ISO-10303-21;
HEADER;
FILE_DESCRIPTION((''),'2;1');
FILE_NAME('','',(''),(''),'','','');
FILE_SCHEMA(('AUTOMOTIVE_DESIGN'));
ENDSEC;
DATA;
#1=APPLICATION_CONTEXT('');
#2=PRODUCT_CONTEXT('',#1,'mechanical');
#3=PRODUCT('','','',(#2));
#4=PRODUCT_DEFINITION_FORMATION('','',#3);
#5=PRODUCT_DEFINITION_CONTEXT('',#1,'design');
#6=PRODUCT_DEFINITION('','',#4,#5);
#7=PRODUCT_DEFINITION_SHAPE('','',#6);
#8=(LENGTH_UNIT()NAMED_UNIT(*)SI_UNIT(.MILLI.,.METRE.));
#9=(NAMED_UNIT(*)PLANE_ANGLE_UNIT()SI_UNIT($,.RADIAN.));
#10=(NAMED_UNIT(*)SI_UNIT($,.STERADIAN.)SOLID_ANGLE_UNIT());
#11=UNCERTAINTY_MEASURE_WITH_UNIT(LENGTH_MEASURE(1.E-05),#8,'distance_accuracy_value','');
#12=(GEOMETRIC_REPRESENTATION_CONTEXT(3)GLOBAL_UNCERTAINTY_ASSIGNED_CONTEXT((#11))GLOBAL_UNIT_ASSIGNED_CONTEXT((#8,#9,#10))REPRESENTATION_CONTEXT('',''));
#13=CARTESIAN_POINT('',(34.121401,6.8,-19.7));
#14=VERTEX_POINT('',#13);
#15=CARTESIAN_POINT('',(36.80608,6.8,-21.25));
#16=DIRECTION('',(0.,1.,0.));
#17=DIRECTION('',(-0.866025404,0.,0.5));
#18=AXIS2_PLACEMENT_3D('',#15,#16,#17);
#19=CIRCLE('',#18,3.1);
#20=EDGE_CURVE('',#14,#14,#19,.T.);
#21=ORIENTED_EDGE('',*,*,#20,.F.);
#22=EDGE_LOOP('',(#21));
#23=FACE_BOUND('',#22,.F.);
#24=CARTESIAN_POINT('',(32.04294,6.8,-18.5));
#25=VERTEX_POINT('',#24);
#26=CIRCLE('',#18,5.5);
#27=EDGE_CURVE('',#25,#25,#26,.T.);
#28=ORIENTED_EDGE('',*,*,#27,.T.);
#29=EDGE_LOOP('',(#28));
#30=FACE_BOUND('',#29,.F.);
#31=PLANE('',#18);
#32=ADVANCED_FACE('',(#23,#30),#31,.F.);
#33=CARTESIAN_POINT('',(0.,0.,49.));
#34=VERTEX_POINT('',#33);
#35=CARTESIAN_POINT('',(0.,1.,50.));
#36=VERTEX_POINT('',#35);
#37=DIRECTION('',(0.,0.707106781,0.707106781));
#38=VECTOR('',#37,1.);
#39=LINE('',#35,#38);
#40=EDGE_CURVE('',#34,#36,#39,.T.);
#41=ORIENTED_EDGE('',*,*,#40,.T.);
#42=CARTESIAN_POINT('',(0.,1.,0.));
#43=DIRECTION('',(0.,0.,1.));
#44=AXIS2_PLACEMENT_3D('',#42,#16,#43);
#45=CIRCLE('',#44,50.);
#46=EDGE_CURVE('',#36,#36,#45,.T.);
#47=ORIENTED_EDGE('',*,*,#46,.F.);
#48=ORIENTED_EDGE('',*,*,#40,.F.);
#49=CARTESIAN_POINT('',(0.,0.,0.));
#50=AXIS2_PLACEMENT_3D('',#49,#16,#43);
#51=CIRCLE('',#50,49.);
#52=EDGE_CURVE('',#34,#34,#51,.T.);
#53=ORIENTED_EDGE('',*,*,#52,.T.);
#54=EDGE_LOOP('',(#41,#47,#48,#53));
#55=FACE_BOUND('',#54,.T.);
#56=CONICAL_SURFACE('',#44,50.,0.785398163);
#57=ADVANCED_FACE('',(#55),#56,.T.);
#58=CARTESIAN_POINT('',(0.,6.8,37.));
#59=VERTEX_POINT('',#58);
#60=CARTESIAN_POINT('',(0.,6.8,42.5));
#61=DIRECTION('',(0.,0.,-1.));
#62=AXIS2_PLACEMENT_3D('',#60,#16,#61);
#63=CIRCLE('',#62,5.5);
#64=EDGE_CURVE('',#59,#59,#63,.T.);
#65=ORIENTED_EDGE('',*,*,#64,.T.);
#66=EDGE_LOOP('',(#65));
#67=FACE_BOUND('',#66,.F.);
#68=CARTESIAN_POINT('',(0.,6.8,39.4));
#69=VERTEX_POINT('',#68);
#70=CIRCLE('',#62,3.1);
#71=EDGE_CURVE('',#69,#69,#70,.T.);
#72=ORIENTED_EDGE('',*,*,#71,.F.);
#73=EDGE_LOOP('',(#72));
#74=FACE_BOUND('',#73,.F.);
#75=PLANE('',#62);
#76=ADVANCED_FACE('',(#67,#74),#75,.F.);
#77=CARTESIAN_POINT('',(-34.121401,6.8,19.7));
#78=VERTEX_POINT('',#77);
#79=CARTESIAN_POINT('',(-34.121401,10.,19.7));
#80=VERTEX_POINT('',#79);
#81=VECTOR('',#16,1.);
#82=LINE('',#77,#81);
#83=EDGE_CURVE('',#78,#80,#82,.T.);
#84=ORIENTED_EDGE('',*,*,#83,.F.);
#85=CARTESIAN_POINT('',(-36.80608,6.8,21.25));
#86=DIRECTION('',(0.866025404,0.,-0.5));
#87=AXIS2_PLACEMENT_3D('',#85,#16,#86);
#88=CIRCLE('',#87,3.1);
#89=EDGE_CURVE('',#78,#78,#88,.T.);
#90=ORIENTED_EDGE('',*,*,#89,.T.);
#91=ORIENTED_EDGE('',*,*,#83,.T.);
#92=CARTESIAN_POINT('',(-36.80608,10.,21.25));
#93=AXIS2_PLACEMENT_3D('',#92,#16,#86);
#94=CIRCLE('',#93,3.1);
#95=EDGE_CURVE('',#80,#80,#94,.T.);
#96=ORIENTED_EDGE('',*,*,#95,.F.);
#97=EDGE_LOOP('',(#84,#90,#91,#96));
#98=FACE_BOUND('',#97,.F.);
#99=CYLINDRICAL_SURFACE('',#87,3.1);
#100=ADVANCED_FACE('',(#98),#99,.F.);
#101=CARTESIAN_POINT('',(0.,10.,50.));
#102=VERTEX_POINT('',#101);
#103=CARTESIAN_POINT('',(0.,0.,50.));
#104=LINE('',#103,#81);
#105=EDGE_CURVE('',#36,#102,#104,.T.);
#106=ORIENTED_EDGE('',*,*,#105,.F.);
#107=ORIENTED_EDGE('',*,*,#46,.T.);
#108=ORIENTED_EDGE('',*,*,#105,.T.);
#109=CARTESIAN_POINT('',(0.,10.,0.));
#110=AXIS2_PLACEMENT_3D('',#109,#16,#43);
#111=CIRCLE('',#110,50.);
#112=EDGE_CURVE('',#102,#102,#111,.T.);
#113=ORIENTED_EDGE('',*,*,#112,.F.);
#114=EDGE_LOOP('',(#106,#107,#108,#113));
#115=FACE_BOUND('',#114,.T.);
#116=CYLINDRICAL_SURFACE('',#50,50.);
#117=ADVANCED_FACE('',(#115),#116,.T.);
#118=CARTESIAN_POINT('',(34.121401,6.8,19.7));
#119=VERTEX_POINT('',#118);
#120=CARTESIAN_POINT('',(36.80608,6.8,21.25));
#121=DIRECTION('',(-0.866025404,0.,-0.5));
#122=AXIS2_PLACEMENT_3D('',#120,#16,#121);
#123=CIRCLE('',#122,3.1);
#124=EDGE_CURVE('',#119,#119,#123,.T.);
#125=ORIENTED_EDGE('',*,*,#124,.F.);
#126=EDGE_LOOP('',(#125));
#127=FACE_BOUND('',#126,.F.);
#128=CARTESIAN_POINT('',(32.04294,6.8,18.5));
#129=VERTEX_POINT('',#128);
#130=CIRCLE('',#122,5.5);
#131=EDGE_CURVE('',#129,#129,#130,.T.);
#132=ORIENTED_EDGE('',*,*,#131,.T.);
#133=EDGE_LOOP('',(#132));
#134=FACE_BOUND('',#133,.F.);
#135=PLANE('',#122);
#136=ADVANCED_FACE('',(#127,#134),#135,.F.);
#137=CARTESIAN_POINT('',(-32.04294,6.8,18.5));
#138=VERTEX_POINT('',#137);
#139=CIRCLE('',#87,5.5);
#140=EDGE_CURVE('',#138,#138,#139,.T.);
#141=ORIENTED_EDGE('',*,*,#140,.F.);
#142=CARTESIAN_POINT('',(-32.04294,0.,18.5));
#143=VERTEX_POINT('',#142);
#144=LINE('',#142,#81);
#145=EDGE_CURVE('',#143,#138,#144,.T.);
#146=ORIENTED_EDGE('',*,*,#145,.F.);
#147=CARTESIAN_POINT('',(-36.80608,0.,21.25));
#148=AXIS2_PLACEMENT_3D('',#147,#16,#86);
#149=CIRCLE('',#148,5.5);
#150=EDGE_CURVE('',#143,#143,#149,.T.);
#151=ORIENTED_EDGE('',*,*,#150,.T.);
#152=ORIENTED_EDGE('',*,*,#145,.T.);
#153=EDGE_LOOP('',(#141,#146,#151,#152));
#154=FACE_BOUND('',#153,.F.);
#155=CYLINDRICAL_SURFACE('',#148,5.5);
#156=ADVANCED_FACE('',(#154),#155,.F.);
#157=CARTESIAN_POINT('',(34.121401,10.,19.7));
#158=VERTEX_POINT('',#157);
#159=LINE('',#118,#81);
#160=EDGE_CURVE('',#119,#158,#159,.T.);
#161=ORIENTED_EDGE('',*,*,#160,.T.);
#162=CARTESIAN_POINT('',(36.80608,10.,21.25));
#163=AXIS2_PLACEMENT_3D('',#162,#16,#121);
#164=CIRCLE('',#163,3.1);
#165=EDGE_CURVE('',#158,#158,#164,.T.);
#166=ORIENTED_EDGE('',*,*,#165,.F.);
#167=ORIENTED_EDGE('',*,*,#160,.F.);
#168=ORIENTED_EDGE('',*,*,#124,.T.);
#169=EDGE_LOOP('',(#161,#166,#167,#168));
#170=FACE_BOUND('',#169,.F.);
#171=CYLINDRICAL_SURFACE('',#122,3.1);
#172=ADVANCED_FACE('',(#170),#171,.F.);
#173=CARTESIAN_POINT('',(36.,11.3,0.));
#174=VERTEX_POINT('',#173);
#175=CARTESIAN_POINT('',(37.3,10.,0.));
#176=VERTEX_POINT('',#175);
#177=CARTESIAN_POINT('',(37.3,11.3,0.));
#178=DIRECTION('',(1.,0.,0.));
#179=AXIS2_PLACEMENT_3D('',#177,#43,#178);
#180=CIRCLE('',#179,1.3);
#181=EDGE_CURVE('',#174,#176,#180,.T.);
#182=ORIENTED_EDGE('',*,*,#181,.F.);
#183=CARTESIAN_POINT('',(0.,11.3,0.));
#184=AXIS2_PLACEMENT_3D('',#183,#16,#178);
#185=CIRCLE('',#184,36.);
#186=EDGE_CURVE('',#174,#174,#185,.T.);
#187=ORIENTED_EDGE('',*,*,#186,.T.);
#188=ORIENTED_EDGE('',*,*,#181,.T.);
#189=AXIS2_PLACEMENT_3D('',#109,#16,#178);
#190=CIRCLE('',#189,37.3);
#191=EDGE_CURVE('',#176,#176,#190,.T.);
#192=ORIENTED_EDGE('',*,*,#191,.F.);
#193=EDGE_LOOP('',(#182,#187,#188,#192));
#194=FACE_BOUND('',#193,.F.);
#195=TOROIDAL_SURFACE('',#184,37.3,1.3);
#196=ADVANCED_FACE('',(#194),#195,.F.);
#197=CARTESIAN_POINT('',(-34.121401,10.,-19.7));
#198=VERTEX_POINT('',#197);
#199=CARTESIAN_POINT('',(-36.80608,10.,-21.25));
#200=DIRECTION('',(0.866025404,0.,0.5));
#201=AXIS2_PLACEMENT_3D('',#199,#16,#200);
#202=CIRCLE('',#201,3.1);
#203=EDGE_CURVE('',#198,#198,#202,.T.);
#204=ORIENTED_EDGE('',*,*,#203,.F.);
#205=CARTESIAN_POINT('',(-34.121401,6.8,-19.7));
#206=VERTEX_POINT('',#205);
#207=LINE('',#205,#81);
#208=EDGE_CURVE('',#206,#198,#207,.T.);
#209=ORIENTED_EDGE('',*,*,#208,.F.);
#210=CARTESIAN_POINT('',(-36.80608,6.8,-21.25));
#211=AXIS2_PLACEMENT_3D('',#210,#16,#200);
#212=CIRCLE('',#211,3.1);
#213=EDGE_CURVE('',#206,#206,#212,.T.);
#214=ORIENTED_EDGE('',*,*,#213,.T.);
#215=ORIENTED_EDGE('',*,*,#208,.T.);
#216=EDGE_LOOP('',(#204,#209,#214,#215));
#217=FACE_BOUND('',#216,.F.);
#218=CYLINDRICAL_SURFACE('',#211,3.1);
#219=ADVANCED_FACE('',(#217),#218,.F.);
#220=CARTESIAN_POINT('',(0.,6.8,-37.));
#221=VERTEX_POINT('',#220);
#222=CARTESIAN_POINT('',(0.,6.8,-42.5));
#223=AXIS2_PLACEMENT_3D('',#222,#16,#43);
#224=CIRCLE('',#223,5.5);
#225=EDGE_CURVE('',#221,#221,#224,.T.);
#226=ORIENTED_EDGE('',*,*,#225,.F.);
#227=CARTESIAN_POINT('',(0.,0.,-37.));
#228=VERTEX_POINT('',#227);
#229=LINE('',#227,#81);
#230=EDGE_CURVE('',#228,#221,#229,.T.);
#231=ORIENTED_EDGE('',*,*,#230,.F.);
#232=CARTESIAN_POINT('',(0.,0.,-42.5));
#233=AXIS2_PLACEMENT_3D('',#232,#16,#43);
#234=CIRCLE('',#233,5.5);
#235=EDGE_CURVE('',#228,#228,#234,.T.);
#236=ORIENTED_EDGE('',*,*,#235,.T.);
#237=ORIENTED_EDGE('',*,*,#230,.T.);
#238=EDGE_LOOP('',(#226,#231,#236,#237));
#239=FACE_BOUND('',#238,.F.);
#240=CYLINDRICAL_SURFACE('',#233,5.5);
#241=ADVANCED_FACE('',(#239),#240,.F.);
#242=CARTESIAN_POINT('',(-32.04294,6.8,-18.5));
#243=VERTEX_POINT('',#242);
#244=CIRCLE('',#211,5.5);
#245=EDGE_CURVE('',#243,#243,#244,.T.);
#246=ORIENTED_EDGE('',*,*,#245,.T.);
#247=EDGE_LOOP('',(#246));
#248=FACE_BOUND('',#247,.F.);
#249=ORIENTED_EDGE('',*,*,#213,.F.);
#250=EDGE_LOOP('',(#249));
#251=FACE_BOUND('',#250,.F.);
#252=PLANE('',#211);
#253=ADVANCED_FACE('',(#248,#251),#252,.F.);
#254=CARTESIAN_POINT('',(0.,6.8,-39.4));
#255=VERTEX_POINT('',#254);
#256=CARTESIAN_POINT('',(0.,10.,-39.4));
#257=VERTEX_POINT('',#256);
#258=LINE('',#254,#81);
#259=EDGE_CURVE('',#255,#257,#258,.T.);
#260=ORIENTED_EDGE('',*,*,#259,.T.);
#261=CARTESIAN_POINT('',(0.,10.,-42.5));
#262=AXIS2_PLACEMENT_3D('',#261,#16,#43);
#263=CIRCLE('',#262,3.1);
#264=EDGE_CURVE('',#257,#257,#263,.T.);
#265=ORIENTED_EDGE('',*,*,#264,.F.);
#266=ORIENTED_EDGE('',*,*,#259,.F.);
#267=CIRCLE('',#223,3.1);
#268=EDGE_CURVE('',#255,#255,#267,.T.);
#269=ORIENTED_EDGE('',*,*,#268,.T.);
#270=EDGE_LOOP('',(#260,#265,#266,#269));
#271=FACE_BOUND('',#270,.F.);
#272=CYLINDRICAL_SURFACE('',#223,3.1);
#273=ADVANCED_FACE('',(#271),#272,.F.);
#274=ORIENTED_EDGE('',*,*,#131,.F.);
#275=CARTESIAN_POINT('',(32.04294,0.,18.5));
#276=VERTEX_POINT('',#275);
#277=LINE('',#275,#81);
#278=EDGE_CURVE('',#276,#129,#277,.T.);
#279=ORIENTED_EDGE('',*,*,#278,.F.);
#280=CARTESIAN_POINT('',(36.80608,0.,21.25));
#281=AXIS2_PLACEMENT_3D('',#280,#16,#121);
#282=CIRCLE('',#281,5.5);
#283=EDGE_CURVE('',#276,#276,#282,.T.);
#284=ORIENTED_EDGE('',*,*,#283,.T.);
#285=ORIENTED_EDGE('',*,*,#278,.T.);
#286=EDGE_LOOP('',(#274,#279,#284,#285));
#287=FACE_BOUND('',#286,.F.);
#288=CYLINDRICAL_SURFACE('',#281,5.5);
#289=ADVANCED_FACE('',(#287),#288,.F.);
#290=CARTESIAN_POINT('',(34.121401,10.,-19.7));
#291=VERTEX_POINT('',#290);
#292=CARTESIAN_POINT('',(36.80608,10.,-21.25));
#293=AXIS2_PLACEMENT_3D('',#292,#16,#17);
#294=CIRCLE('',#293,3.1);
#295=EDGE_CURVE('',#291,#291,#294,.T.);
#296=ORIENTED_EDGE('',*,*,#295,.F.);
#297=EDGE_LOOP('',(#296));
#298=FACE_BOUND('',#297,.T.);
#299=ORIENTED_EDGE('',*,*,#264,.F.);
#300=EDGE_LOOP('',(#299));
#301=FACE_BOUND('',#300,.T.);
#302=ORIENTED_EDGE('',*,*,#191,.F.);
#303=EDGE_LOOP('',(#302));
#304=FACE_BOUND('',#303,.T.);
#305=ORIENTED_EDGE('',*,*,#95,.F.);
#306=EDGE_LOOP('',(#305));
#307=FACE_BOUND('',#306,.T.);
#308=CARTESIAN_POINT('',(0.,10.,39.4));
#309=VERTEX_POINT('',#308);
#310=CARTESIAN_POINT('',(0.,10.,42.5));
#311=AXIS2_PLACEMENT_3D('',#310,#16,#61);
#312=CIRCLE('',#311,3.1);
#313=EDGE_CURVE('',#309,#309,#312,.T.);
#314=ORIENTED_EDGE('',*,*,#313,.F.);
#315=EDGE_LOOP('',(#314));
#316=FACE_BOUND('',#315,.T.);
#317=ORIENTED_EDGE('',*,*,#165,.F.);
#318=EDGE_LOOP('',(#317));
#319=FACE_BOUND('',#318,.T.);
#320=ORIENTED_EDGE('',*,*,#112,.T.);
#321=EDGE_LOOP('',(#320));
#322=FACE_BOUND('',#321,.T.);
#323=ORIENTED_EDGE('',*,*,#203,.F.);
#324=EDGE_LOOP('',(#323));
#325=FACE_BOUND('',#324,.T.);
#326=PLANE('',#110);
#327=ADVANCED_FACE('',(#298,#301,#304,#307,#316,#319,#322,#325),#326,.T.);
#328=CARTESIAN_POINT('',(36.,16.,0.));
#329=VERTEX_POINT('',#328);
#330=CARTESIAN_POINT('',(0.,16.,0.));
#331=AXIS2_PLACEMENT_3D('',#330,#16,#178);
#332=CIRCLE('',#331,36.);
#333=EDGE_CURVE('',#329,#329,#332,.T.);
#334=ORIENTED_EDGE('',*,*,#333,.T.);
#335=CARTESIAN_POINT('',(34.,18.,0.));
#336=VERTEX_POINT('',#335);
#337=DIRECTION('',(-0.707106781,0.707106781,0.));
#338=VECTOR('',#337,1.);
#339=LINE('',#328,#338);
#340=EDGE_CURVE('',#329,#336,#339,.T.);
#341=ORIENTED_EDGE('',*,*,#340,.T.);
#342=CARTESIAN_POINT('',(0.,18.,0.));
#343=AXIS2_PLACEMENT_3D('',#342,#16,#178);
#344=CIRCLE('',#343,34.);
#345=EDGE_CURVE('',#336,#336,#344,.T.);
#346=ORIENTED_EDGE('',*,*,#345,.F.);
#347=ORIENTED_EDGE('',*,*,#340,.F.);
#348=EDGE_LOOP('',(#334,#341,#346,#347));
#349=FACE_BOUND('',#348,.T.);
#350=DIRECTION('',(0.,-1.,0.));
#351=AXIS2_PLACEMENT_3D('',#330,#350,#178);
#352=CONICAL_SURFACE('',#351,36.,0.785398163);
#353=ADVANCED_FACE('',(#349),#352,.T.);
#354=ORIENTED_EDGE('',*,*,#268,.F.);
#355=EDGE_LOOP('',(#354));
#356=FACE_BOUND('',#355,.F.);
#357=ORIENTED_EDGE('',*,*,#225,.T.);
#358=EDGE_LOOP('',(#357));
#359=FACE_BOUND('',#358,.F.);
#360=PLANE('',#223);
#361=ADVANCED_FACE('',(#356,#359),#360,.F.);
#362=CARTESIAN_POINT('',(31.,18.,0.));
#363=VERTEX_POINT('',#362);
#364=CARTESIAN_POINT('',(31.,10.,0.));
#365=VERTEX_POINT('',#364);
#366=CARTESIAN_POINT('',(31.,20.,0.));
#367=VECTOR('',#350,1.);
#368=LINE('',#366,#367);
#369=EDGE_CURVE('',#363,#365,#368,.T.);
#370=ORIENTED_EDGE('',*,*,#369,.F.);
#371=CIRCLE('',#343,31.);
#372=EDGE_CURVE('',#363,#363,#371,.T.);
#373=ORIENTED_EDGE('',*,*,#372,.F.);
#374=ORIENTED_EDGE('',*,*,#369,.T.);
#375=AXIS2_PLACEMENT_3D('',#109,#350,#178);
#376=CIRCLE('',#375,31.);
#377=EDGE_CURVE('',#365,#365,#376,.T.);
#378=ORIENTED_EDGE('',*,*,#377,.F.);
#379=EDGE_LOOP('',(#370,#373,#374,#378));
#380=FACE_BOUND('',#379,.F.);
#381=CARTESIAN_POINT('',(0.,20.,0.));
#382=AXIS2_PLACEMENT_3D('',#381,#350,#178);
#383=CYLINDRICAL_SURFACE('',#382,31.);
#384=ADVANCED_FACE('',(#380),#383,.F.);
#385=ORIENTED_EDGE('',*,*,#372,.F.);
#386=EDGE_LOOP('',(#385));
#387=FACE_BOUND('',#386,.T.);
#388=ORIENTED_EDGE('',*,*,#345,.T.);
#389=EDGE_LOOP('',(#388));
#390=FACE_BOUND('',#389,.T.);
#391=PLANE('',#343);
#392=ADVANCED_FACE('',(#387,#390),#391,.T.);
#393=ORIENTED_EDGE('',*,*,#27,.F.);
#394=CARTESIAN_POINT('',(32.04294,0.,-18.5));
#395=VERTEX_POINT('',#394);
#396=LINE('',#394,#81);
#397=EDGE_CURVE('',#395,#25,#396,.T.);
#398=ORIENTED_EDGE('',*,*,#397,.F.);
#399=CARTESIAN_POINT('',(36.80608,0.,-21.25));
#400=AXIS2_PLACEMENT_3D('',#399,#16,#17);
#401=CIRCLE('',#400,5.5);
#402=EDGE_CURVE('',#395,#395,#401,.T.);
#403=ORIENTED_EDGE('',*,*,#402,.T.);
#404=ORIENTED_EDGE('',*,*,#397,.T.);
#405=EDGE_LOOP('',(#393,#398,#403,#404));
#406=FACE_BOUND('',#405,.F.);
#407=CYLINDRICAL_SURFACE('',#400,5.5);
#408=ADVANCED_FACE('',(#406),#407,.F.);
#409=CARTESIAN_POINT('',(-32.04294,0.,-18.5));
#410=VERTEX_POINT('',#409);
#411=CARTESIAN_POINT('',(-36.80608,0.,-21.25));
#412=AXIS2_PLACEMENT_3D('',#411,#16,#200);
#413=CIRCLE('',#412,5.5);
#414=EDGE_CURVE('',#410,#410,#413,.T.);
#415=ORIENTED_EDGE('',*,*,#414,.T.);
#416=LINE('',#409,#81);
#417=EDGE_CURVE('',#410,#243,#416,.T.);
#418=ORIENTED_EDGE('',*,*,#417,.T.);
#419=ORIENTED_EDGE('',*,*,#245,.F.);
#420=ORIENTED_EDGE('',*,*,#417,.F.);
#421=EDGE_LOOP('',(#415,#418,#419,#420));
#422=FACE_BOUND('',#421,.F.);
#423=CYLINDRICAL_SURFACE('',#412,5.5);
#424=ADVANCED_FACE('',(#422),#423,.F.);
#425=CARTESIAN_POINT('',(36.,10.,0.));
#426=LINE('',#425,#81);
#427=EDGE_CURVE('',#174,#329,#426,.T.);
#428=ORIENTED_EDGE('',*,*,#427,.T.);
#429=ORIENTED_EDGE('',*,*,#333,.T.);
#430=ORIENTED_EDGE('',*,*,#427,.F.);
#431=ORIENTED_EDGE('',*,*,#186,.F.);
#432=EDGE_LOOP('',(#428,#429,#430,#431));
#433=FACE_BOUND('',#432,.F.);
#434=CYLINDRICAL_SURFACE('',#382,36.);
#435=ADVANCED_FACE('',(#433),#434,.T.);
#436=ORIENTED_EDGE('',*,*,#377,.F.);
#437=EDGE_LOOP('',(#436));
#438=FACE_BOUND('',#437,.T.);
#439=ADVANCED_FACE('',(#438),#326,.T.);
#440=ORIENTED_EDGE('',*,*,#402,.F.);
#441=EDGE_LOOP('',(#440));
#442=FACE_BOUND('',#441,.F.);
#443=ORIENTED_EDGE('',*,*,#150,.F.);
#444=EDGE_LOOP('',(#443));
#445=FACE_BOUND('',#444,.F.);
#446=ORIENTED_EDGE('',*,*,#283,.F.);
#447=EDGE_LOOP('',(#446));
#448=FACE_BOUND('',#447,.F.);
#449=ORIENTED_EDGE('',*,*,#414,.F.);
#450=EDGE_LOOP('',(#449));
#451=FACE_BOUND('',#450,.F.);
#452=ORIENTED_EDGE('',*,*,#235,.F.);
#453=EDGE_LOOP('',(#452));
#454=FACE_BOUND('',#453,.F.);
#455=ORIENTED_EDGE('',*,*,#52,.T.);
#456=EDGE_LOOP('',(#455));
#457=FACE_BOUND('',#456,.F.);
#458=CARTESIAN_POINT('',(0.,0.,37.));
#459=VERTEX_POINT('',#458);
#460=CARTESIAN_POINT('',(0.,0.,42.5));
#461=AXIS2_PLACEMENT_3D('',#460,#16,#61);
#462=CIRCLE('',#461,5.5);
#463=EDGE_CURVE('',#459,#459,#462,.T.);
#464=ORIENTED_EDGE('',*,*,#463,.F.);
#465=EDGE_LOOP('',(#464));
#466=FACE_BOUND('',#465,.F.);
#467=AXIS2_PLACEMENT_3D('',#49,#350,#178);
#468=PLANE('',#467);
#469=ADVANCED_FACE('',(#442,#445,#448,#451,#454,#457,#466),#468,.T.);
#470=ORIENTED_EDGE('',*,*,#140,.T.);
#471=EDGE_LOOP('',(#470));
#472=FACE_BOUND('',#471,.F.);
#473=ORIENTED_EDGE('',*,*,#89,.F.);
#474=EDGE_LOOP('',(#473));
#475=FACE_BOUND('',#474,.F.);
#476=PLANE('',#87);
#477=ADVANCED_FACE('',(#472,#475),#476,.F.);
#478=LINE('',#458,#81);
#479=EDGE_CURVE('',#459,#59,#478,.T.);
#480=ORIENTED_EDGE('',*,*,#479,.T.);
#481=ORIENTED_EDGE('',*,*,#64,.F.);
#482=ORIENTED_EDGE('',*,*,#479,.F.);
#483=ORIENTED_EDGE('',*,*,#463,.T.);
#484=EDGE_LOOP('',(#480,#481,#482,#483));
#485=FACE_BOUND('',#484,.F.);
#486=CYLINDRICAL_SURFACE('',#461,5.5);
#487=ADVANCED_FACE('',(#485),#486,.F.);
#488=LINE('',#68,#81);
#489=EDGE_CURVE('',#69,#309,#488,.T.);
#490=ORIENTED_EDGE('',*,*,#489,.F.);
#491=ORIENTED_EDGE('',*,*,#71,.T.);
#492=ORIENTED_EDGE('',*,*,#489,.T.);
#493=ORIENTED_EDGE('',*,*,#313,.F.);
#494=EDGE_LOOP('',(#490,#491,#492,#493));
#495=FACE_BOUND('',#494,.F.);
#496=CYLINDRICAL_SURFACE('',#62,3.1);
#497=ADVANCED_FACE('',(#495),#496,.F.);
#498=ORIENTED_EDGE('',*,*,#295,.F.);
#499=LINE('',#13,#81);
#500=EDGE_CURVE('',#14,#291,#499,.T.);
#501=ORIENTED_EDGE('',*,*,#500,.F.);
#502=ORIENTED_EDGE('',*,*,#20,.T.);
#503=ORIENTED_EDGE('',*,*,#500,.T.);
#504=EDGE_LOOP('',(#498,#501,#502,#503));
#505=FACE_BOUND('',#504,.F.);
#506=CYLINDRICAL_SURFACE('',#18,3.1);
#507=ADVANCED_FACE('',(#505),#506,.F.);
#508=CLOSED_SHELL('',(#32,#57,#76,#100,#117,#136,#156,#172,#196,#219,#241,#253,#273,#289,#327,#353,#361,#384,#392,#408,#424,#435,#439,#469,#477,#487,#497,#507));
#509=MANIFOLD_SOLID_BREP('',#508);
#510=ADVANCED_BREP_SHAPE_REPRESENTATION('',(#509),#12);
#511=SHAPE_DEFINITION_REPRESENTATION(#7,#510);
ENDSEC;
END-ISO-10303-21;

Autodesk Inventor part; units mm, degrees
ref_plane "YZ Plane" through (0, 0, 0) normal (1, 0, 0) x (0, 1, 0)
ref_plane "XZ Plane" through (0, 0, 0) normal (0, 1, 0) x (-1, 0, 0)
ref_plane "XY Plane" through (0, 0, 0) normal (0, 0, 1) x (1, 0, 0)
sketch "Эскиз1" plane through (0, 0, 0) normal (0, 0, 1) x (1, 0, 0)
  line L0 (0, 5) -> (0, 0)
  line L1 (0, 0) -> (36, 0)
  line L2 (36, 0) -> (36, 20)
  line L3 (36, 20) -> (31, 20)
  line L4 (31, 20) -> (31, 5)
  line L5 (31, 5) -> (0, 5)
  dimension "d0" = 5
  dimension "d1" = 5
  dimension "d3" = 20
  dimension "d4" = 36
revolve "Вращение1" add sketch "Эскиз1" angle 360 about axis through (0, 5, 0) along (0, -1, 0)
sketch "Эскиз2" plane through (0, 0, 0) normal (1, 0, 0) x (0, 1, 0)
  line L0 (-4, 0) -> (24, 0) projected
  line L1 (0, -50.4) -> (0, 50.4) projected
  line L2 (0, 0) -> (0, 50)
  line L3 (0, 50) -> (10, 50)
  line L4 (10, 50) -> (10, 0)
  line L5 (0, 0) -> (10, 0)
  line L6 (20, 36) -> (0, 36) projected
  dimension "d6" = 10
  dimension "d7" = 50
revolve "Вращение2" add sketch "Эскиз2" angle 360 about axis through (0, -10, 0) along (0, 1, 0)
chamfer "Фаска1" distance 1 angle 45 1 edges at (0, 0, -50)
sketch "Эскиз3" plane through (0, 0, 0) normal (0, -1, 0) x (1, 0, 0)
  circle A0 centre (0, 0) radius 42.5 construction
  circle A1 centre (0, 42.5) radius 5.5
  line L0 (0, -70) -> (0, 70) projected
  line L1 (-70, 0) -> (70, 0) projected
  dimension "d10" = 85
  dimension "d9" = 11
hole "Отверстие1" at (0, 0, 42.5) direction (0, 1, 0) diameter 6.2 depth 15 tip angle 118 counterbore diameter 11 counterbore depth 6.8
pattern_circular "Круговой массив1" count 6 over 360 about axis through (0, -10, 0) along (0, 1, 0) of "Отверстие1"
sketch "Эскиз4" plane through (0, 20, 0) normal (0, 1, 0) x (1, 0, 0)
  circle A0 centre (0, 0) radius 36 projected
  circle A1 centre (0, 0) radius 31 projected
  circle A2 centre (0, 0) radius 31
  circle A3 centre (0, 0) radius 36
  dimension "d27" = 72
extrude "Выдавливание2" add sketch "Эскиз4" along normal blind 1
fillet "Сопряжение1" radius 1.3 1 edges at (-36, 10, 0)
sketch "Эскиз5" plane through (0, 21, 0) normal (0, 1, 0) x (1, 0, 0)
  circle A0 centre (0, 0) radius 31 projected
  circle A1 centre (0, 0) radius 36 projected
  point P0 (0, 0)
extrude "Выдавливание3" cut sketch "Эскиз5" against normal blind 3
chamfer "Фаска2" distance 2 angle 45 1 edges at (-36, 18, 0)
properties part number "Крышка большая_72"
